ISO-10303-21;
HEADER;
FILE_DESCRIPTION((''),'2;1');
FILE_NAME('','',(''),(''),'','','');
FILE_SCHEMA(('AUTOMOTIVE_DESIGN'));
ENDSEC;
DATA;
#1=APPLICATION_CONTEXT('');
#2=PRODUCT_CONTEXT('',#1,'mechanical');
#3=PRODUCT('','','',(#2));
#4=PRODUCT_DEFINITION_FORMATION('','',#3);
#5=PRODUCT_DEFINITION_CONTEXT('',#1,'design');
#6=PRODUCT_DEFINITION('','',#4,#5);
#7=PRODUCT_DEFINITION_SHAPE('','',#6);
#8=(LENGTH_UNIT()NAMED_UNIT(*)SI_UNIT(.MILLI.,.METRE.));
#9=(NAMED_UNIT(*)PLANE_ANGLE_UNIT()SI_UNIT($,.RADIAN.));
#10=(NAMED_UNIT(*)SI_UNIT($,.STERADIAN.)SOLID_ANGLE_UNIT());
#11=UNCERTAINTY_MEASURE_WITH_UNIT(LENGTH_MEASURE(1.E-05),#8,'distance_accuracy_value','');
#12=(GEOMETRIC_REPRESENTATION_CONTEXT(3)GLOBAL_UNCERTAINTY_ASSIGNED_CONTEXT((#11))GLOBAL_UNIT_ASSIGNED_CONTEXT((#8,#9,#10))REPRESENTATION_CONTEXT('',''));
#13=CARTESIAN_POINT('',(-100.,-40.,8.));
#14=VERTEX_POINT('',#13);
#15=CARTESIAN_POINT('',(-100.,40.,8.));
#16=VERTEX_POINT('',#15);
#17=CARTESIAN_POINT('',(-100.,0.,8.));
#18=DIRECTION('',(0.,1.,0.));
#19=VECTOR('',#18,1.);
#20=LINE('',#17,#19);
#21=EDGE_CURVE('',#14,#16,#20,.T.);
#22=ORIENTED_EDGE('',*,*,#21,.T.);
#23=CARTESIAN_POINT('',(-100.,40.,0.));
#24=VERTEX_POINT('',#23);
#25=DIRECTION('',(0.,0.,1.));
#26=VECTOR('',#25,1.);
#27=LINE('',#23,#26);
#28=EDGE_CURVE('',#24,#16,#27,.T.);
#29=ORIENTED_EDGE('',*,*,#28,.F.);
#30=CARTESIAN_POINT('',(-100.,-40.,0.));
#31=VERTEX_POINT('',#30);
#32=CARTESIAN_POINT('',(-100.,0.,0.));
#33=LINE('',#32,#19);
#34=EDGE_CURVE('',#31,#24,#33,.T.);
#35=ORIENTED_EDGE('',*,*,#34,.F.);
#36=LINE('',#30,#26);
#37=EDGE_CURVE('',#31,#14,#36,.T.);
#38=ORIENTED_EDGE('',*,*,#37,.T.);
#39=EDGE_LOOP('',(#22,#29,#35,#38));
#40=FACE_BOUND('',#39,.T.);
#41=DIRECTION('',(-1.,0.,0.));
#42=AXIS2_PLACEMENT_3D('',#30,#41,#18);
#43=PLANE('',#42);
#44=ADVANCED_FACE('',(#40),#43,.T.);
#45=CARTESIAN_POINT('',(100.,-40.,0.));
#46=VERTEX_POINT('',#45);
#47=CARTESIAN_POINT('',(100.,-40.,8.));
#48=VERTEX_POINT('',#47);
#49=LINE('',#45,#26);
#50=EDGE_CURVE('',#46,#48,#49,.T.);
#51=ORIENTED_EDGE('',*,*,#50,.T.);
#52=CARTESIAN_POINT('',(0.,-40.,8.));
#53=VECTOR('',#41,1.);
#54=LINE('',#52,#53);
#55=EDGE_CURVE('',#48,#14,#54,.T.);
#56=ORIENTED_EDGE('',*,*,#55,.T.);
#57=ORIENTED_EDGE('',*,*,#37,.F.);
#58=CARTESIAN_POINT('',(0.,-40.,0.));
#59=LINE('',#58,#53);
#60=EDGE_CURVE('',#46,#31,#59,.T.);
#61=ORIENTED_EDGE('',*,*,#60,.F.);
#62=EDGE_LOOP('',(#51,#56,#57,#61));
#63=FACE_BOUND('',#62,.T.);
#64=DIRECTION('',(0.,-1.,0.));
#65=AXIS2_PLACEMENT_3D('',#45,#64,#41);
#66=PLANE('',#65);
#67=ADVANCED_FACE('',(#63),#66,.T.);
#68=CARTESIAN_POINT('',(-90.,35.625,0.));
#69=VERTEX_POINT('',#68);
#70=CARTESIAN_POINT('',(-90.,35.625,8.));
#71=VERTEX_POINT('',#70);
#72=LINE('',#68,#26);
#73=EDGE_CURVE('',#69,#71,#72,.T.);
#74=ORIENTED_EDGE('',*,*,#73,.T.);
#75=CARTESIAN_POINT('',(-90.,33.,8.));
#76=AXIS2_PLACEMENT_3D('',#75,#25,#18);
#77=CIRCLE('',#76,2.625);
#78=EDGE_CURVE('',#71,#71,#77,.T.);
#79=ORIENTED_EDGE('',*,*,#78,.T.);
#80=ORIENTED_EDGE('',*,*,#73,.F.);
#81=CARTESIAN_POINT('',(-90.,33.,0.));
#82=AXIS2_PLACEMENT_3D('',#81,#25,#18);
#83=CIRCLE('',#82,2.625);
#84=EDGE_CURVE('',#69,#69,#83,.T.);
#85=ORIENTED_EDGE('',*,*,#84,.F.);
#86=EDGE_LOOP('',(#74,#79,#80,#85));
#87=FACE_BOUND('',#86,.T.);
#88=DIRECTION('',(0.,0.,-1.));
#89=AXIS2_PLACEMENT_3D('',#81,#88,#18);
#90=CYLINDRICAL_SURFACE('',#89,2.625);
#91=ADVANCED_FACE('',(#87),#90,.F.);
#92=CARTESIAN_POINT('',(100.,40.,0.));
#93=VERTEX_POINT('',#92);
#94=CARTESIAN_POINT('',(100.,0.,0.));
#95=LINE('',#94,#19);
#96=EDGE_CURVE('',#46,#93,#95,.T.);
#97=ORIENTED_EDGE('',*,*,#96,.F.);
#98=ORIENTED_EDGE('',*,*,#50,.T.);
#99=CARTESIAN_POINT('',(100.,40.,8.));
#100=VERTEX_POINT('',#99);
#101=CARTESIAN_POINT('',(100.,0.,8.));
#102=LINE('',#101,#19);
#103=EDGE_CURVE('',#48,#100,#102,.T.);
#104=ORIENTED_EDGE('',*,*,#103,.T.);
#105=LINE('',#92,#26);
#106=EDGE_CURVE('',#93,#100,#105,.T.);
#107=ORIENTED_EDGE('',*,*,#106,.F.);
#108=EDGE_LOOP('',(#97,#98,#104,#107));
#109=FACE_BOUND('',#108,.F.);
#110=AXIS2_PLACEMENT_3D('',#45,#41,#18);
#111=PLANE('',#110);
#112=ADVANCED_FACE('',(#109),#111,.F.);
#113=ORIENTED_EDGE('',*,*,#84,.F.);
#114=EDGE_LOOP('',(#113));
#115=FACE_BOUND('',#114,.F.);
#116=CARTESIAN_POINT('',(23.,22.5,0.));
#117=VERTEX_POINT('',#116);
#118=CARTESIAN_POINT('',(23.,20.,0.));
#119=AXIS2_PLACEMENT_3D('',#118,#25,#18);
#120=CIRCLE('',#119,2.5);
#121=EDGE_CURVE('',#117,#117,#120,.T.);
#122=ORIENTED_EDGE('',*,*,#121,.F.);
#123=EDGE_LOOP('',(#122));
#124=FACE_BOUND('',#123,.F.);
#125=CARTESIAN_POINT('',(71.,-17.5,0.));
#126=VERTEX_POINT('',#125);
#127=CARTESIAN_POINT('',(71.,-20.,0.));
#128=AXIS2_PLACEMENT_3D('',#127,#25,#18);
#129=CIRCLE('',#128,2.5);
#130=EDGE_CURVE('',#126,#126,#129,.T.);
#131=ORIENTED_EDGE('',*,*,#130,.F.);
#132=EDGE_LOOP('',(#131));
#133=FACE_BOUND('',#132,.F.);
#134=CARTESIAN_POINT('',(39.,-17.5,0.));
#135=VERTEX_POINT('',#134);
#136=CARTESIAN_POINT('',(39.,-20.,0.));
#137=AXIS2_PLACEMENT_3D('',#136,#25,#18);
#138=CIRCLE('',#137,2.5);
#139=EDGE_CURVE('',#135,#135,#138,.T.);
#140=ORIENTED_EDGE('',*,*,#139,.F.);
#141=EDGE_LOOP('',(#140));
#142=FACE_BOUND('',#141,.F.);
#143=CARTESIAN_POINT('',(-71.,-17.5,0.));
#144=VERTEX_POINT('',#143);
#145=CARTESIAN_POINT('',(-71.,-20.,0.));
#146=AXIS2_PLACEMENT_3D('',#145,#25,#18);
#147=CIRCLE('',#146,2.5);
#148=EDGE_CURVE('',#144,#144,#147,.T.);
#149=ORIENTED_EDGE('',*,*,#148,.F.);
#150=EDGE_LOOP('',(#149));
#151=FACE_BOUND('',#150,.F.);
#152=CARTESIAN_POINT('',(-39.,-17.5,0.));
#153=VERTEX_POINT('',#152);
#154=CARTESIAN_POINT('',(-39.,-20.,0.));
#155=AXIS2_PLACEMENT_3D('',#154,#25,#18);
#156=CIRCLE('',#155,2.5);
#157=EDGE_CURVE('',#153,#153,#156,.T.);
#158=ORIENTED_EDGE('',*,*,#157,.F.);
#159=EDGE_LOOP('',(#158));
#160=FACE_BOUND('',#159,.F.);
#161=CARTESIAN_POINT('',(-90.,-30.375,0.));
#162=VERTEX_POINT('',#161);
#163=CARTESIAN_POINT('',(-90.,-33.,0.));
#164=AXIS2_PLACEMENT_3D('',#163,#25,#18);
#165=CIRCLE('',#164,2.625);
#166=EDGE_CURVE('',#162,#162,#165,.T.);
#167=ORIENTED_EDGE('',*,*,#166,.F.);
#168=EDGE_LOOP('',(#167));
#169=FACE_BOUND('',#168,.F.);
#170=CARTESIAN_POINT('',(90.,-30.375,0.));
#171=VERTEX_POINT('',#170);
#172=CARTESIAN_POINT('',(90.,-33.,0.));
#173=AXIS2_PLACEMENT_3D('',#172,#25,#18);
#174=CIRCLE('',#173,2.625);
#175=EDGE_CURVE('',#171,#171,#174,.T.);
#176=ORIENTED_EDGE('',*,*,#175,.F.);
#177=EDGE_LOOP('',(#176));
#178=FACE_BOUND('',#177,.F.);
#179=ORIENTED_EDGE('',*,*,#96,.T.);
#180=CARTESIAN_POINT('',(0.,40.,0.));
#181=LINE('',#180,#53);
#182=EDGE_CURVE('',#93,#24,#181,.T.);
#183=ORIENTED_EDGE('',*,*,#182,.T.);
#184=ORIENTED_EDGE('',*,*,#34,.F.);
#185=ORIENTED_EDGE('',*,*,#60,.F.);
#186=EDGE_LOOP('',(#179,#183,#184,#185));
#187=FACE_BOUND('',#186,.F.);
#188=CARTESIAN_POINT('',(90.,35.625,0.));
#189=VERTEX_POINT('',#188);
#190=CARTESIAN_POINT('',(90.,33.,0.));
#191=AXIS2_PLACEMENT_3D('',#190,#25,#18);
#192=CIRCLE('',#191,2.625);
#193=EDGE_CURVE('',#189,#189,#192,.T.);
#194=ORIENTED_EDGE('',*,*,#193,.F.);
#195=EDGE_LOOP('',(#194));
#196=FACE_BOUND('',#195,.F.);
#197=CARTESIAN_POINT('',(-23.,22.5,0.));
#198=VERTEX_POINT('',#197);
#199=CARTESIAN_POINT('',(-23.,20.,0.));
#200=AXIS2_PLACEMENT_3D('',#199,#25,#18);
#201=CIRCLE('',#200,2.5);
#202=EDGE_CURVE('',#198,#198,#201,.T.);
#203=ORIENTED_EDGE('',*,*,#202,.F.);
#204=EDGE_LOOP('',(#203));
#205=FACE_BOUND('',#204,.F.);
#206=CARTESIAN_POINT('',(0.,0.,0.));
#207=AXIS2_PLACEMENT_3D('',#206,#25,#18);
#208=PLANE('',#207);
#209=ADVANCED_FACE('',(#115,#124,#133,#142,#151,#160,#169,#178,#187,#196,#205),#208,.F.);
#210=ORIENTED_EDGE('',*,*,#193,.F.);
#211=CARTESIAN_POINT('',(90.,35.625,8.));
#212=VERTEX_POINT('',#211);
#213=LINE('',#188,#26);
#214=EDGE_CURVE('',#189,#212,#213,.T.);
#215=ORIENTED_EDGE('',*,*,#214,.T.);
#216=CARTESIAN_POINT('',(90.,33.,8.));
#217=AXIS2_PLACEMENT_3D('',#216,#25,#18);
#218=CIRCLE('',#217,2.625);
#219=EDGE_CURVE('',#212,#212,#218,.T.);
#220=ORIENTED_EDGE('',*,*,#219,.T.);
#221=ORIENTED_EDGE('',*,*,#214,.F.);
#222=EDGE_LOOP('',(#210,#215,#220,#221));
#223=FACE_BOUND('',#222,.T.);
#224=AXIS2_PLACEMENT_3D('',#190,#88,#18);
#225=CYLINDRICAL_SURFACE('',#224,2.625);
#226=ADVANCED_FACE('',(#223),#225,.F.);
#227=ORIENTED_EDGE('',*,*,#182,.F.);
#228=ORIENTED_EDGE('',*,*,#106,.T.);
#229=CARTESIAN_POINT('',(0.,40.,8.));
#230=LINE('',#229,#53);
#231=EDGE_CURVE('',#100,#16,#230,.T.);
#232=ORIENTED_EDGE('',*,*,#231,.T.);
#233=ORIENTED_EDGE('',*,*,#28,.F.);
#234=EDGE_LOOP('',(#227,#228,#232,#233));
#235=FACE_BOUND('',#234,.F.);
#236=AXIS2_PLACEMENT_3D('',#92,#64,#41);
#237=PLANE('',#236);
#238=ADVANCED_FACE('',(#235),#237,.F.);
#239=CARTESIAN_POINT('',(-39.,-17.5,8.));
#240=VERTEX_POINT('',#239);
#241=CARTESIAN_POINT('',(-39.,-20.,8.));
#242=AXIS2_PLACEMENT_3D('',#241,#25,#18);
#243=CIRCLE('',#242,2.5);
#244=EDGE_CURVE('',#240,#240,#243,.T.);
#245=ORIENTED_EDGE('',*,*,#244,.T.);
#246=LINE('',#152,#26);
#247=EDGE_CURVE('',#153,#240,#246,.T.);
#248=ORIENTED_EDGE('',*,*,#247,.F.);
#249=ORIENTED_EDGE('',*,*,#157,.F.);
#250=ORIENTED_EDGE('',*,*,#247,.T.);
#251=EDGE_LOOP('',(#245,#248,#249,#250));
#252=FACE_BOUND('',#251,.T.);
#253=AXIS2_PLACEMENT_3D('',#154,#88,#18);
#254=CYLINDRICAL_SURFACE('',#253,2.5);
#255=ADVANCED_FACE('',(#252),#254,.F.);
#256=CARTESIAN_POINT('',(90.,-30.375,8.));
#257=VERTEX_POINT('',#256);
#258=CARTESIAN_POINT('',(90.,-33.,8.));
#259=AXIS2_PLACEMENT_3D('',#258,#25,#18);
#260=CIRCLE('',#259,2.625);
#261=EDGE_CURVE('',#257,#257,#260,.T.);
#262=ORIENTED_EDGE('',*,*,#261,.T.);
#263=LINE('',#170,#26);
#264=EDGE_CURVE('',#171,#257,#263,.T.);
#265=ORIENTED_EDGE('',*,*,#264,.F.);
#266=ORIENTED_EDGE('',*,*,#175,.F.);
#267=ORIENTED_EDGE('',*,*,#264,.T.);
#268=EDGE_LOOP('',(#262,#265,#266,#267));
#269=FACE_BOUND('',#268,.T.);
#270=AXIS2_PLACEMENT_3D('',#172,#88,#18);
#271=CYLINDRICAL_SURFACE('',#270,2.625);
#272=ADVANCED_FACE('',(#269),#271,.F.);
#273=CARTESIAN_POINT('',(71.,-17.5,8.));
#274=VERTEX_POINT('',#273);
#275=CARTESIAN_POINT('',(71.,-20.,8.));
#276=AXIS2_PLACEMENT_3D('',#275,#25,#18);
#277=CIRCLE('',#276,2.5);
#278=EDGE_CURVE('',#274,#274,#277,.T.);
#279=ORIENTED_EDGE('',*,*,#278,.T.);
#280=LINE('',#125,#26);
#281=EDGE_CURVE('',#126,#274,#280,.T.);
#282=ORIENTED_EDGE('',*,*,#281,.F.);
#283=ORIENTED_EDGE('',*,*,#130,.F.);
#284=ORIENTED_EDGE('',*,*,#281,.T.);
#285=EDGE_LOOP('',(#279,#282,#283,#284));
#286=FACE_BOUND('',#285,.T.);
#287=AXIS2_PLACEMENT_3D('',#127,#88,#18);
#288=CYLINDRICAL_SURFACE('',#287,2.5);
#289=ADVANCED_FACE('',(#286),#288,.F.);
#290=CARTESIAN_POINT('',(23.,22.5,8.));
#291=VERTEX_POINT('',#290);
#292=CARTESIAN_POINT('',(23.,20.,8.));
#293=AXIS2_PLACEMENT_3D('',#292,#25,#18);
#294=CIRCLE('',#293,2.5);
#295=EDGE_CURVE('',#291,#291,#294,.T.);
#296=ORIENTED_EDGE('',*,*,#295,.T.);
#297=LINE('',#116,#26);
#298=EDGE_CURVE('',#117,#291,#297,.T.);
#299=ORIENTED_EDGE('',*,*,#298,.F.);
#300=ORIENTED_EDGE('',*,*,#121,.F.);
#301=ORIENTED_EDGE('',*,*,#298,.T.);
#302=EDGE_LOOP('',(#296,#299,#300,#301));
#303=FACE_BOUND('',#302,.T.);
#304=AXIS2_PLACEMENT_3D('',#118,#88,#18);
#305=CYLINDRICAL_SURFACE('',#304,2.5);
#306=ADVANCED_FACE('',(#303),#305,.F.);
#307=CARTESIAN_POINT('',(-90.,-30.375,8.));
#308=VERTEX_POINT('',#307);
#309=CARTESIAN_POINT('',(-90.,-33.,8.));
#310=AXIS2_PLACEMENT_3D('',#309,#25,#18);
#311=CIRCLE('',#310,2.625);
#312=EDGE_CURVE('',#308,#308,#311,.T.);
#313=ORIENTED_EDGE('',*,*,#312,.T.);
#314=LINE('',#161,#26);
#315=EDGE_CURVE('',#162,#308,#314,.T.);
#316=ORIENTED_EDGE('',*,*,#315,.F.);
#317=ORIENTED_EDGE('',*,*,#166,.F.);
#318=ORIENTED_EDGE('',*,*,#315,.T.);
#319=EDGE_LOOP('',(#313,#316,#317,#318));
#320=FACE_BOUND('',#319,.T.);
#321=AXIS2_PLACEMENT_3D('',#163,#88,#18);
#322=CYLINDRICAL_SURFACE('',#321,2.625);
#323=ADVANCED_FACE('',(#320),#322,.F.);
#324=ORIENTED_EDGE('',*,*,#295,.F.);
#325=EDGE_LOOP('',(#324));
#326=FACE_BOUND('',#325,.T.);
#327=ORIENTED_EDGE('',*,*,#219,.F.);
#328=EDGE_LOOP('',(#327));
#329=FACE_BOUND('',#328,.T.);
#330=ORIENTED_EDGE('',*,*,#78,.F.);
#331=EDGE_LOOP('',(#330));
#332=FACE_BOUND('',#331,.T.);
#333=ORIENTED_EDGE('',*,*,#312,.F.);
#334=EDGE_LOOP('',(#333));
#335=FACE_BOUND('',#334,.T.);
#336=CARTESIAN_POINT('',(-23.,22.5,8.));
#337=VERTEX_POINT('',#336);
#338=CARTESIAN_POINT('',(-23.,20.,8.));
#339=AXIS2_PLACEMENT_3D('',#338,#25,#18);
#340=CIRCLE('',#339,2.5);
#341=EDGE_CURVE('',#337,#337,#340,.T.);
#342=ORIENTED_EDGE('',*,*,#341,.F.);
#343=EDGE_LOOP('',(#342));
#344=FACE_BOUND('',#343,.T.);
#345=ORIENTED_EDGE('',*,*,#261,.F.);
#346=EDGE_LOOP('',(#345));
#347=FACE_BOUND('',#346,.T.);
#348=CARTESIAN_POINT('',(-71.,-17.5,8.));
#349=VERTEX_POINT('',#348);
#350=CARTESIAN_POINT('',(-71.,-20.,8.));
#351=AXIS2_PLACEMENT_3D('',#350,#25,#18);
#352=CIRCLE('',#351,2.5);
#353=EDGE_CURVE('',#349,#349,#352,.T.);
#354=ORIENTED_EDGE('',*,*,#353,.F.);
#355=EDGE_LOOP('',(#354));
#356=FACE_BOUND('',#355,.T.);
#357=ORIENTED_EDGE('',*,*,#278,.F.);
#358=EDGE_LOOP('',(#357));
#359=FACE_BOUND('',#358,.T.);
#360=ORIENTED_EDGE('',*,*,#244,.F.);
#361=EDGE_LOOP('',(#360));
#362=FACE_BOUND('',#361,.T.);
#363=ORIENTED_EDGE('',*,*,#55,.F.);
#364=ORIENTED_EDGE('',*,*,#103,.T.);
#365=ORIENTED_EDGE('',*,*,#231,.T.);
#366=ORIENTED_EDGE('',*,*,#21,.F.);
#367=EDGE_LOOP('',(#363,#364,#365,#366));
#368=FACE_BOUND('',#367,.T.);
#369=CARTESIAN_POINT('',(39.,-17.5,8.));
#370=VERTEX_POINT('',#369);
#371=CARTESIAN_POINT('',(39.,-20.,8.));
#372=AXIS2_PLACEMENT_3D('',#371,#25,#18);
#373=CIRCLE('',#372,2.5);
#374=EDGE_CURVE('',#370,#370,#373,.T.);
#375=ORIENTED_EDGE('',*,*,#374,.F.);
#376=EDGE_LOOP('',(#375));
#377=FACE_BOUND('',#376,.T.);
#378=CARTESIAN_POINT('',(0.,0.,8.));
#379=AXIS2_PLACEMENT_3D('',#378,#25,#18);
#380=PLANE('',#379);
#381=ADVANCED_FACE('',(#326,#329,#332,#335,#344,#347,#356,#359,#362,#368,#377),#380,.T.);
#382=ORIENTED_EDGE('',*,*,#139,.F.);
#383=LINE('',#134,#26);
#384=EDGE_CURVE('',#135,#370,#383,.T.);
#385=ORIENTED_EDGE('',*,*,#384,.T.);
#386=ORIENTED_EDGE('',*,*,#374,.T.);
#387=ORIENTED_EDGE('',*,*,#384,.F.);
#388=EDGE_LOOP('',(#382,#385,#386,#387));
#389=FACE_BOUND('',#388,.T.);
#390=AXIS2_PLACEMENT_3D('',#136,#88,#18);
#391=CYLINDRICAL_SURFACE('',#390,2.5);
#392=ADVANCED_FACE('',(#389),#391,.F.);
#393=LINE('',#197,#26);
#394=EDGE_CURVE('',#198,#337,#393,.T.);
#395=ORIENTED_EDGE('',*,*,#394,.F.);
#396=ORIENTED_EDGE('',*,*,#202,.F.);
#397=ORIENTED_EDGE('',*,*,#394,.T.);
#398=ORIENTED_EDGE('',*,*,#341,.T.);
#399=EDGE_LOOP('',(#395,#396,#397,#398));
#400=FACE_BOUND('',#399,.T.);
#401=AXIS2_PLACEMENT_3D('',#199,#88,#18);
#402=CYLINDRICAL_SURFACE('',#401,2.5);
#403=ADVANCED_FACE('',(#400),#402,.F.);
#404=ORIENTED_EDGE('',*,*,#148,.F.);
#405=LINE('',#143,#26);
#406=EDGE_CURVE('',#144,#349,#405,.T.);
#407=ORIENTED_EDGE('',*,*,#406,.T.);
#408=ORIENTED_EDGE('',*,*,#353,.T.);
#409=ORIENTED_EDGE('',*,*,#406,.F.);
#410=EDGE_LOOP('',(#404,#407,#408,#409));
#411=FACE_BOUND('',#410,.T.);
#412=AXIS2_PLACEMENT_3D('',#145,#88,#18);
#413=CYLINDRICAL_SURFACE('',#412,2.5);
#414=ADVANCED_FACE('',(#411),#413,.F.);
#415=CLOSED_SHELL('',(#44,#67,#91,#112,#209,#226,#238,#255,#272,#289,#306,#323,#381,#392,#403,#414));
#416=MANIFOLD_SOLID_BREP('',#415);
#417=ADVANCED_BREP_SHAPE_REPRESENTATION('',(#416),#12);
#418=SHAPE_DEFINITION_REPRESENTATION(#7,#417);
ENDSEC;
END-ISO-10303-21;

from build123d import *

# Parameters (mm, degrees)
SKETCH_W   = 80
SKETCH_H   = 200
SKETCH_R   = 2.5
SKETCH_R_2 = 2.625
PAD_DEPTH  = 8


with BuildPart() as part:
    # Sketch → Pad (new body)
    with BuildSketch(Plane(origin=(0, 0, 0), x_dir=(0, 1, 0), z_dir=(0, 0, 1))):
        Rectangle(SKETCH_W, SKETCH_H)
        with Locations((20, 23)):
            Circle(SKETCH_R, mode=Mode.SUBTRACT)
        with Locations((20, -23)):
            Circle(SKETCH_R, mode=Mode.SUBTRACT)
        with Locations((-20, 39)):
            Circle(SKETCH_R, mode=Mode.SUBTRACT)
        with Locations((-20, -39)):
            Circle(SKETCH_R, mode=Mode.SUBTRACT)
        with Locations((-20, 71)):
            Circle(SKETCH_R, mode=Mode.SUBTRACT)
        with Locations((-20, -71)):
            Circle(SKETCH_R, mode=Mode.SUBTRACT)
        with Locations((-33, 90)):
            Circle(SKETCH_R_2, mode=Mode.SUBTRACT)
        with Locations((33, 90)):
            Circle(SKETCH_R_2, mode=Mode.SUBTRACT)
        with Locations((-33, -90)):
            Circle(SKETCH_R_2, mode=Mode.SUBTRACT)
        with Locations((33, -90)):
            Circle(SKETCH_R_2, mode=Mode.SUBTRACT)
    extrude(amount=PAD_DEPTH)


solid = part.part
